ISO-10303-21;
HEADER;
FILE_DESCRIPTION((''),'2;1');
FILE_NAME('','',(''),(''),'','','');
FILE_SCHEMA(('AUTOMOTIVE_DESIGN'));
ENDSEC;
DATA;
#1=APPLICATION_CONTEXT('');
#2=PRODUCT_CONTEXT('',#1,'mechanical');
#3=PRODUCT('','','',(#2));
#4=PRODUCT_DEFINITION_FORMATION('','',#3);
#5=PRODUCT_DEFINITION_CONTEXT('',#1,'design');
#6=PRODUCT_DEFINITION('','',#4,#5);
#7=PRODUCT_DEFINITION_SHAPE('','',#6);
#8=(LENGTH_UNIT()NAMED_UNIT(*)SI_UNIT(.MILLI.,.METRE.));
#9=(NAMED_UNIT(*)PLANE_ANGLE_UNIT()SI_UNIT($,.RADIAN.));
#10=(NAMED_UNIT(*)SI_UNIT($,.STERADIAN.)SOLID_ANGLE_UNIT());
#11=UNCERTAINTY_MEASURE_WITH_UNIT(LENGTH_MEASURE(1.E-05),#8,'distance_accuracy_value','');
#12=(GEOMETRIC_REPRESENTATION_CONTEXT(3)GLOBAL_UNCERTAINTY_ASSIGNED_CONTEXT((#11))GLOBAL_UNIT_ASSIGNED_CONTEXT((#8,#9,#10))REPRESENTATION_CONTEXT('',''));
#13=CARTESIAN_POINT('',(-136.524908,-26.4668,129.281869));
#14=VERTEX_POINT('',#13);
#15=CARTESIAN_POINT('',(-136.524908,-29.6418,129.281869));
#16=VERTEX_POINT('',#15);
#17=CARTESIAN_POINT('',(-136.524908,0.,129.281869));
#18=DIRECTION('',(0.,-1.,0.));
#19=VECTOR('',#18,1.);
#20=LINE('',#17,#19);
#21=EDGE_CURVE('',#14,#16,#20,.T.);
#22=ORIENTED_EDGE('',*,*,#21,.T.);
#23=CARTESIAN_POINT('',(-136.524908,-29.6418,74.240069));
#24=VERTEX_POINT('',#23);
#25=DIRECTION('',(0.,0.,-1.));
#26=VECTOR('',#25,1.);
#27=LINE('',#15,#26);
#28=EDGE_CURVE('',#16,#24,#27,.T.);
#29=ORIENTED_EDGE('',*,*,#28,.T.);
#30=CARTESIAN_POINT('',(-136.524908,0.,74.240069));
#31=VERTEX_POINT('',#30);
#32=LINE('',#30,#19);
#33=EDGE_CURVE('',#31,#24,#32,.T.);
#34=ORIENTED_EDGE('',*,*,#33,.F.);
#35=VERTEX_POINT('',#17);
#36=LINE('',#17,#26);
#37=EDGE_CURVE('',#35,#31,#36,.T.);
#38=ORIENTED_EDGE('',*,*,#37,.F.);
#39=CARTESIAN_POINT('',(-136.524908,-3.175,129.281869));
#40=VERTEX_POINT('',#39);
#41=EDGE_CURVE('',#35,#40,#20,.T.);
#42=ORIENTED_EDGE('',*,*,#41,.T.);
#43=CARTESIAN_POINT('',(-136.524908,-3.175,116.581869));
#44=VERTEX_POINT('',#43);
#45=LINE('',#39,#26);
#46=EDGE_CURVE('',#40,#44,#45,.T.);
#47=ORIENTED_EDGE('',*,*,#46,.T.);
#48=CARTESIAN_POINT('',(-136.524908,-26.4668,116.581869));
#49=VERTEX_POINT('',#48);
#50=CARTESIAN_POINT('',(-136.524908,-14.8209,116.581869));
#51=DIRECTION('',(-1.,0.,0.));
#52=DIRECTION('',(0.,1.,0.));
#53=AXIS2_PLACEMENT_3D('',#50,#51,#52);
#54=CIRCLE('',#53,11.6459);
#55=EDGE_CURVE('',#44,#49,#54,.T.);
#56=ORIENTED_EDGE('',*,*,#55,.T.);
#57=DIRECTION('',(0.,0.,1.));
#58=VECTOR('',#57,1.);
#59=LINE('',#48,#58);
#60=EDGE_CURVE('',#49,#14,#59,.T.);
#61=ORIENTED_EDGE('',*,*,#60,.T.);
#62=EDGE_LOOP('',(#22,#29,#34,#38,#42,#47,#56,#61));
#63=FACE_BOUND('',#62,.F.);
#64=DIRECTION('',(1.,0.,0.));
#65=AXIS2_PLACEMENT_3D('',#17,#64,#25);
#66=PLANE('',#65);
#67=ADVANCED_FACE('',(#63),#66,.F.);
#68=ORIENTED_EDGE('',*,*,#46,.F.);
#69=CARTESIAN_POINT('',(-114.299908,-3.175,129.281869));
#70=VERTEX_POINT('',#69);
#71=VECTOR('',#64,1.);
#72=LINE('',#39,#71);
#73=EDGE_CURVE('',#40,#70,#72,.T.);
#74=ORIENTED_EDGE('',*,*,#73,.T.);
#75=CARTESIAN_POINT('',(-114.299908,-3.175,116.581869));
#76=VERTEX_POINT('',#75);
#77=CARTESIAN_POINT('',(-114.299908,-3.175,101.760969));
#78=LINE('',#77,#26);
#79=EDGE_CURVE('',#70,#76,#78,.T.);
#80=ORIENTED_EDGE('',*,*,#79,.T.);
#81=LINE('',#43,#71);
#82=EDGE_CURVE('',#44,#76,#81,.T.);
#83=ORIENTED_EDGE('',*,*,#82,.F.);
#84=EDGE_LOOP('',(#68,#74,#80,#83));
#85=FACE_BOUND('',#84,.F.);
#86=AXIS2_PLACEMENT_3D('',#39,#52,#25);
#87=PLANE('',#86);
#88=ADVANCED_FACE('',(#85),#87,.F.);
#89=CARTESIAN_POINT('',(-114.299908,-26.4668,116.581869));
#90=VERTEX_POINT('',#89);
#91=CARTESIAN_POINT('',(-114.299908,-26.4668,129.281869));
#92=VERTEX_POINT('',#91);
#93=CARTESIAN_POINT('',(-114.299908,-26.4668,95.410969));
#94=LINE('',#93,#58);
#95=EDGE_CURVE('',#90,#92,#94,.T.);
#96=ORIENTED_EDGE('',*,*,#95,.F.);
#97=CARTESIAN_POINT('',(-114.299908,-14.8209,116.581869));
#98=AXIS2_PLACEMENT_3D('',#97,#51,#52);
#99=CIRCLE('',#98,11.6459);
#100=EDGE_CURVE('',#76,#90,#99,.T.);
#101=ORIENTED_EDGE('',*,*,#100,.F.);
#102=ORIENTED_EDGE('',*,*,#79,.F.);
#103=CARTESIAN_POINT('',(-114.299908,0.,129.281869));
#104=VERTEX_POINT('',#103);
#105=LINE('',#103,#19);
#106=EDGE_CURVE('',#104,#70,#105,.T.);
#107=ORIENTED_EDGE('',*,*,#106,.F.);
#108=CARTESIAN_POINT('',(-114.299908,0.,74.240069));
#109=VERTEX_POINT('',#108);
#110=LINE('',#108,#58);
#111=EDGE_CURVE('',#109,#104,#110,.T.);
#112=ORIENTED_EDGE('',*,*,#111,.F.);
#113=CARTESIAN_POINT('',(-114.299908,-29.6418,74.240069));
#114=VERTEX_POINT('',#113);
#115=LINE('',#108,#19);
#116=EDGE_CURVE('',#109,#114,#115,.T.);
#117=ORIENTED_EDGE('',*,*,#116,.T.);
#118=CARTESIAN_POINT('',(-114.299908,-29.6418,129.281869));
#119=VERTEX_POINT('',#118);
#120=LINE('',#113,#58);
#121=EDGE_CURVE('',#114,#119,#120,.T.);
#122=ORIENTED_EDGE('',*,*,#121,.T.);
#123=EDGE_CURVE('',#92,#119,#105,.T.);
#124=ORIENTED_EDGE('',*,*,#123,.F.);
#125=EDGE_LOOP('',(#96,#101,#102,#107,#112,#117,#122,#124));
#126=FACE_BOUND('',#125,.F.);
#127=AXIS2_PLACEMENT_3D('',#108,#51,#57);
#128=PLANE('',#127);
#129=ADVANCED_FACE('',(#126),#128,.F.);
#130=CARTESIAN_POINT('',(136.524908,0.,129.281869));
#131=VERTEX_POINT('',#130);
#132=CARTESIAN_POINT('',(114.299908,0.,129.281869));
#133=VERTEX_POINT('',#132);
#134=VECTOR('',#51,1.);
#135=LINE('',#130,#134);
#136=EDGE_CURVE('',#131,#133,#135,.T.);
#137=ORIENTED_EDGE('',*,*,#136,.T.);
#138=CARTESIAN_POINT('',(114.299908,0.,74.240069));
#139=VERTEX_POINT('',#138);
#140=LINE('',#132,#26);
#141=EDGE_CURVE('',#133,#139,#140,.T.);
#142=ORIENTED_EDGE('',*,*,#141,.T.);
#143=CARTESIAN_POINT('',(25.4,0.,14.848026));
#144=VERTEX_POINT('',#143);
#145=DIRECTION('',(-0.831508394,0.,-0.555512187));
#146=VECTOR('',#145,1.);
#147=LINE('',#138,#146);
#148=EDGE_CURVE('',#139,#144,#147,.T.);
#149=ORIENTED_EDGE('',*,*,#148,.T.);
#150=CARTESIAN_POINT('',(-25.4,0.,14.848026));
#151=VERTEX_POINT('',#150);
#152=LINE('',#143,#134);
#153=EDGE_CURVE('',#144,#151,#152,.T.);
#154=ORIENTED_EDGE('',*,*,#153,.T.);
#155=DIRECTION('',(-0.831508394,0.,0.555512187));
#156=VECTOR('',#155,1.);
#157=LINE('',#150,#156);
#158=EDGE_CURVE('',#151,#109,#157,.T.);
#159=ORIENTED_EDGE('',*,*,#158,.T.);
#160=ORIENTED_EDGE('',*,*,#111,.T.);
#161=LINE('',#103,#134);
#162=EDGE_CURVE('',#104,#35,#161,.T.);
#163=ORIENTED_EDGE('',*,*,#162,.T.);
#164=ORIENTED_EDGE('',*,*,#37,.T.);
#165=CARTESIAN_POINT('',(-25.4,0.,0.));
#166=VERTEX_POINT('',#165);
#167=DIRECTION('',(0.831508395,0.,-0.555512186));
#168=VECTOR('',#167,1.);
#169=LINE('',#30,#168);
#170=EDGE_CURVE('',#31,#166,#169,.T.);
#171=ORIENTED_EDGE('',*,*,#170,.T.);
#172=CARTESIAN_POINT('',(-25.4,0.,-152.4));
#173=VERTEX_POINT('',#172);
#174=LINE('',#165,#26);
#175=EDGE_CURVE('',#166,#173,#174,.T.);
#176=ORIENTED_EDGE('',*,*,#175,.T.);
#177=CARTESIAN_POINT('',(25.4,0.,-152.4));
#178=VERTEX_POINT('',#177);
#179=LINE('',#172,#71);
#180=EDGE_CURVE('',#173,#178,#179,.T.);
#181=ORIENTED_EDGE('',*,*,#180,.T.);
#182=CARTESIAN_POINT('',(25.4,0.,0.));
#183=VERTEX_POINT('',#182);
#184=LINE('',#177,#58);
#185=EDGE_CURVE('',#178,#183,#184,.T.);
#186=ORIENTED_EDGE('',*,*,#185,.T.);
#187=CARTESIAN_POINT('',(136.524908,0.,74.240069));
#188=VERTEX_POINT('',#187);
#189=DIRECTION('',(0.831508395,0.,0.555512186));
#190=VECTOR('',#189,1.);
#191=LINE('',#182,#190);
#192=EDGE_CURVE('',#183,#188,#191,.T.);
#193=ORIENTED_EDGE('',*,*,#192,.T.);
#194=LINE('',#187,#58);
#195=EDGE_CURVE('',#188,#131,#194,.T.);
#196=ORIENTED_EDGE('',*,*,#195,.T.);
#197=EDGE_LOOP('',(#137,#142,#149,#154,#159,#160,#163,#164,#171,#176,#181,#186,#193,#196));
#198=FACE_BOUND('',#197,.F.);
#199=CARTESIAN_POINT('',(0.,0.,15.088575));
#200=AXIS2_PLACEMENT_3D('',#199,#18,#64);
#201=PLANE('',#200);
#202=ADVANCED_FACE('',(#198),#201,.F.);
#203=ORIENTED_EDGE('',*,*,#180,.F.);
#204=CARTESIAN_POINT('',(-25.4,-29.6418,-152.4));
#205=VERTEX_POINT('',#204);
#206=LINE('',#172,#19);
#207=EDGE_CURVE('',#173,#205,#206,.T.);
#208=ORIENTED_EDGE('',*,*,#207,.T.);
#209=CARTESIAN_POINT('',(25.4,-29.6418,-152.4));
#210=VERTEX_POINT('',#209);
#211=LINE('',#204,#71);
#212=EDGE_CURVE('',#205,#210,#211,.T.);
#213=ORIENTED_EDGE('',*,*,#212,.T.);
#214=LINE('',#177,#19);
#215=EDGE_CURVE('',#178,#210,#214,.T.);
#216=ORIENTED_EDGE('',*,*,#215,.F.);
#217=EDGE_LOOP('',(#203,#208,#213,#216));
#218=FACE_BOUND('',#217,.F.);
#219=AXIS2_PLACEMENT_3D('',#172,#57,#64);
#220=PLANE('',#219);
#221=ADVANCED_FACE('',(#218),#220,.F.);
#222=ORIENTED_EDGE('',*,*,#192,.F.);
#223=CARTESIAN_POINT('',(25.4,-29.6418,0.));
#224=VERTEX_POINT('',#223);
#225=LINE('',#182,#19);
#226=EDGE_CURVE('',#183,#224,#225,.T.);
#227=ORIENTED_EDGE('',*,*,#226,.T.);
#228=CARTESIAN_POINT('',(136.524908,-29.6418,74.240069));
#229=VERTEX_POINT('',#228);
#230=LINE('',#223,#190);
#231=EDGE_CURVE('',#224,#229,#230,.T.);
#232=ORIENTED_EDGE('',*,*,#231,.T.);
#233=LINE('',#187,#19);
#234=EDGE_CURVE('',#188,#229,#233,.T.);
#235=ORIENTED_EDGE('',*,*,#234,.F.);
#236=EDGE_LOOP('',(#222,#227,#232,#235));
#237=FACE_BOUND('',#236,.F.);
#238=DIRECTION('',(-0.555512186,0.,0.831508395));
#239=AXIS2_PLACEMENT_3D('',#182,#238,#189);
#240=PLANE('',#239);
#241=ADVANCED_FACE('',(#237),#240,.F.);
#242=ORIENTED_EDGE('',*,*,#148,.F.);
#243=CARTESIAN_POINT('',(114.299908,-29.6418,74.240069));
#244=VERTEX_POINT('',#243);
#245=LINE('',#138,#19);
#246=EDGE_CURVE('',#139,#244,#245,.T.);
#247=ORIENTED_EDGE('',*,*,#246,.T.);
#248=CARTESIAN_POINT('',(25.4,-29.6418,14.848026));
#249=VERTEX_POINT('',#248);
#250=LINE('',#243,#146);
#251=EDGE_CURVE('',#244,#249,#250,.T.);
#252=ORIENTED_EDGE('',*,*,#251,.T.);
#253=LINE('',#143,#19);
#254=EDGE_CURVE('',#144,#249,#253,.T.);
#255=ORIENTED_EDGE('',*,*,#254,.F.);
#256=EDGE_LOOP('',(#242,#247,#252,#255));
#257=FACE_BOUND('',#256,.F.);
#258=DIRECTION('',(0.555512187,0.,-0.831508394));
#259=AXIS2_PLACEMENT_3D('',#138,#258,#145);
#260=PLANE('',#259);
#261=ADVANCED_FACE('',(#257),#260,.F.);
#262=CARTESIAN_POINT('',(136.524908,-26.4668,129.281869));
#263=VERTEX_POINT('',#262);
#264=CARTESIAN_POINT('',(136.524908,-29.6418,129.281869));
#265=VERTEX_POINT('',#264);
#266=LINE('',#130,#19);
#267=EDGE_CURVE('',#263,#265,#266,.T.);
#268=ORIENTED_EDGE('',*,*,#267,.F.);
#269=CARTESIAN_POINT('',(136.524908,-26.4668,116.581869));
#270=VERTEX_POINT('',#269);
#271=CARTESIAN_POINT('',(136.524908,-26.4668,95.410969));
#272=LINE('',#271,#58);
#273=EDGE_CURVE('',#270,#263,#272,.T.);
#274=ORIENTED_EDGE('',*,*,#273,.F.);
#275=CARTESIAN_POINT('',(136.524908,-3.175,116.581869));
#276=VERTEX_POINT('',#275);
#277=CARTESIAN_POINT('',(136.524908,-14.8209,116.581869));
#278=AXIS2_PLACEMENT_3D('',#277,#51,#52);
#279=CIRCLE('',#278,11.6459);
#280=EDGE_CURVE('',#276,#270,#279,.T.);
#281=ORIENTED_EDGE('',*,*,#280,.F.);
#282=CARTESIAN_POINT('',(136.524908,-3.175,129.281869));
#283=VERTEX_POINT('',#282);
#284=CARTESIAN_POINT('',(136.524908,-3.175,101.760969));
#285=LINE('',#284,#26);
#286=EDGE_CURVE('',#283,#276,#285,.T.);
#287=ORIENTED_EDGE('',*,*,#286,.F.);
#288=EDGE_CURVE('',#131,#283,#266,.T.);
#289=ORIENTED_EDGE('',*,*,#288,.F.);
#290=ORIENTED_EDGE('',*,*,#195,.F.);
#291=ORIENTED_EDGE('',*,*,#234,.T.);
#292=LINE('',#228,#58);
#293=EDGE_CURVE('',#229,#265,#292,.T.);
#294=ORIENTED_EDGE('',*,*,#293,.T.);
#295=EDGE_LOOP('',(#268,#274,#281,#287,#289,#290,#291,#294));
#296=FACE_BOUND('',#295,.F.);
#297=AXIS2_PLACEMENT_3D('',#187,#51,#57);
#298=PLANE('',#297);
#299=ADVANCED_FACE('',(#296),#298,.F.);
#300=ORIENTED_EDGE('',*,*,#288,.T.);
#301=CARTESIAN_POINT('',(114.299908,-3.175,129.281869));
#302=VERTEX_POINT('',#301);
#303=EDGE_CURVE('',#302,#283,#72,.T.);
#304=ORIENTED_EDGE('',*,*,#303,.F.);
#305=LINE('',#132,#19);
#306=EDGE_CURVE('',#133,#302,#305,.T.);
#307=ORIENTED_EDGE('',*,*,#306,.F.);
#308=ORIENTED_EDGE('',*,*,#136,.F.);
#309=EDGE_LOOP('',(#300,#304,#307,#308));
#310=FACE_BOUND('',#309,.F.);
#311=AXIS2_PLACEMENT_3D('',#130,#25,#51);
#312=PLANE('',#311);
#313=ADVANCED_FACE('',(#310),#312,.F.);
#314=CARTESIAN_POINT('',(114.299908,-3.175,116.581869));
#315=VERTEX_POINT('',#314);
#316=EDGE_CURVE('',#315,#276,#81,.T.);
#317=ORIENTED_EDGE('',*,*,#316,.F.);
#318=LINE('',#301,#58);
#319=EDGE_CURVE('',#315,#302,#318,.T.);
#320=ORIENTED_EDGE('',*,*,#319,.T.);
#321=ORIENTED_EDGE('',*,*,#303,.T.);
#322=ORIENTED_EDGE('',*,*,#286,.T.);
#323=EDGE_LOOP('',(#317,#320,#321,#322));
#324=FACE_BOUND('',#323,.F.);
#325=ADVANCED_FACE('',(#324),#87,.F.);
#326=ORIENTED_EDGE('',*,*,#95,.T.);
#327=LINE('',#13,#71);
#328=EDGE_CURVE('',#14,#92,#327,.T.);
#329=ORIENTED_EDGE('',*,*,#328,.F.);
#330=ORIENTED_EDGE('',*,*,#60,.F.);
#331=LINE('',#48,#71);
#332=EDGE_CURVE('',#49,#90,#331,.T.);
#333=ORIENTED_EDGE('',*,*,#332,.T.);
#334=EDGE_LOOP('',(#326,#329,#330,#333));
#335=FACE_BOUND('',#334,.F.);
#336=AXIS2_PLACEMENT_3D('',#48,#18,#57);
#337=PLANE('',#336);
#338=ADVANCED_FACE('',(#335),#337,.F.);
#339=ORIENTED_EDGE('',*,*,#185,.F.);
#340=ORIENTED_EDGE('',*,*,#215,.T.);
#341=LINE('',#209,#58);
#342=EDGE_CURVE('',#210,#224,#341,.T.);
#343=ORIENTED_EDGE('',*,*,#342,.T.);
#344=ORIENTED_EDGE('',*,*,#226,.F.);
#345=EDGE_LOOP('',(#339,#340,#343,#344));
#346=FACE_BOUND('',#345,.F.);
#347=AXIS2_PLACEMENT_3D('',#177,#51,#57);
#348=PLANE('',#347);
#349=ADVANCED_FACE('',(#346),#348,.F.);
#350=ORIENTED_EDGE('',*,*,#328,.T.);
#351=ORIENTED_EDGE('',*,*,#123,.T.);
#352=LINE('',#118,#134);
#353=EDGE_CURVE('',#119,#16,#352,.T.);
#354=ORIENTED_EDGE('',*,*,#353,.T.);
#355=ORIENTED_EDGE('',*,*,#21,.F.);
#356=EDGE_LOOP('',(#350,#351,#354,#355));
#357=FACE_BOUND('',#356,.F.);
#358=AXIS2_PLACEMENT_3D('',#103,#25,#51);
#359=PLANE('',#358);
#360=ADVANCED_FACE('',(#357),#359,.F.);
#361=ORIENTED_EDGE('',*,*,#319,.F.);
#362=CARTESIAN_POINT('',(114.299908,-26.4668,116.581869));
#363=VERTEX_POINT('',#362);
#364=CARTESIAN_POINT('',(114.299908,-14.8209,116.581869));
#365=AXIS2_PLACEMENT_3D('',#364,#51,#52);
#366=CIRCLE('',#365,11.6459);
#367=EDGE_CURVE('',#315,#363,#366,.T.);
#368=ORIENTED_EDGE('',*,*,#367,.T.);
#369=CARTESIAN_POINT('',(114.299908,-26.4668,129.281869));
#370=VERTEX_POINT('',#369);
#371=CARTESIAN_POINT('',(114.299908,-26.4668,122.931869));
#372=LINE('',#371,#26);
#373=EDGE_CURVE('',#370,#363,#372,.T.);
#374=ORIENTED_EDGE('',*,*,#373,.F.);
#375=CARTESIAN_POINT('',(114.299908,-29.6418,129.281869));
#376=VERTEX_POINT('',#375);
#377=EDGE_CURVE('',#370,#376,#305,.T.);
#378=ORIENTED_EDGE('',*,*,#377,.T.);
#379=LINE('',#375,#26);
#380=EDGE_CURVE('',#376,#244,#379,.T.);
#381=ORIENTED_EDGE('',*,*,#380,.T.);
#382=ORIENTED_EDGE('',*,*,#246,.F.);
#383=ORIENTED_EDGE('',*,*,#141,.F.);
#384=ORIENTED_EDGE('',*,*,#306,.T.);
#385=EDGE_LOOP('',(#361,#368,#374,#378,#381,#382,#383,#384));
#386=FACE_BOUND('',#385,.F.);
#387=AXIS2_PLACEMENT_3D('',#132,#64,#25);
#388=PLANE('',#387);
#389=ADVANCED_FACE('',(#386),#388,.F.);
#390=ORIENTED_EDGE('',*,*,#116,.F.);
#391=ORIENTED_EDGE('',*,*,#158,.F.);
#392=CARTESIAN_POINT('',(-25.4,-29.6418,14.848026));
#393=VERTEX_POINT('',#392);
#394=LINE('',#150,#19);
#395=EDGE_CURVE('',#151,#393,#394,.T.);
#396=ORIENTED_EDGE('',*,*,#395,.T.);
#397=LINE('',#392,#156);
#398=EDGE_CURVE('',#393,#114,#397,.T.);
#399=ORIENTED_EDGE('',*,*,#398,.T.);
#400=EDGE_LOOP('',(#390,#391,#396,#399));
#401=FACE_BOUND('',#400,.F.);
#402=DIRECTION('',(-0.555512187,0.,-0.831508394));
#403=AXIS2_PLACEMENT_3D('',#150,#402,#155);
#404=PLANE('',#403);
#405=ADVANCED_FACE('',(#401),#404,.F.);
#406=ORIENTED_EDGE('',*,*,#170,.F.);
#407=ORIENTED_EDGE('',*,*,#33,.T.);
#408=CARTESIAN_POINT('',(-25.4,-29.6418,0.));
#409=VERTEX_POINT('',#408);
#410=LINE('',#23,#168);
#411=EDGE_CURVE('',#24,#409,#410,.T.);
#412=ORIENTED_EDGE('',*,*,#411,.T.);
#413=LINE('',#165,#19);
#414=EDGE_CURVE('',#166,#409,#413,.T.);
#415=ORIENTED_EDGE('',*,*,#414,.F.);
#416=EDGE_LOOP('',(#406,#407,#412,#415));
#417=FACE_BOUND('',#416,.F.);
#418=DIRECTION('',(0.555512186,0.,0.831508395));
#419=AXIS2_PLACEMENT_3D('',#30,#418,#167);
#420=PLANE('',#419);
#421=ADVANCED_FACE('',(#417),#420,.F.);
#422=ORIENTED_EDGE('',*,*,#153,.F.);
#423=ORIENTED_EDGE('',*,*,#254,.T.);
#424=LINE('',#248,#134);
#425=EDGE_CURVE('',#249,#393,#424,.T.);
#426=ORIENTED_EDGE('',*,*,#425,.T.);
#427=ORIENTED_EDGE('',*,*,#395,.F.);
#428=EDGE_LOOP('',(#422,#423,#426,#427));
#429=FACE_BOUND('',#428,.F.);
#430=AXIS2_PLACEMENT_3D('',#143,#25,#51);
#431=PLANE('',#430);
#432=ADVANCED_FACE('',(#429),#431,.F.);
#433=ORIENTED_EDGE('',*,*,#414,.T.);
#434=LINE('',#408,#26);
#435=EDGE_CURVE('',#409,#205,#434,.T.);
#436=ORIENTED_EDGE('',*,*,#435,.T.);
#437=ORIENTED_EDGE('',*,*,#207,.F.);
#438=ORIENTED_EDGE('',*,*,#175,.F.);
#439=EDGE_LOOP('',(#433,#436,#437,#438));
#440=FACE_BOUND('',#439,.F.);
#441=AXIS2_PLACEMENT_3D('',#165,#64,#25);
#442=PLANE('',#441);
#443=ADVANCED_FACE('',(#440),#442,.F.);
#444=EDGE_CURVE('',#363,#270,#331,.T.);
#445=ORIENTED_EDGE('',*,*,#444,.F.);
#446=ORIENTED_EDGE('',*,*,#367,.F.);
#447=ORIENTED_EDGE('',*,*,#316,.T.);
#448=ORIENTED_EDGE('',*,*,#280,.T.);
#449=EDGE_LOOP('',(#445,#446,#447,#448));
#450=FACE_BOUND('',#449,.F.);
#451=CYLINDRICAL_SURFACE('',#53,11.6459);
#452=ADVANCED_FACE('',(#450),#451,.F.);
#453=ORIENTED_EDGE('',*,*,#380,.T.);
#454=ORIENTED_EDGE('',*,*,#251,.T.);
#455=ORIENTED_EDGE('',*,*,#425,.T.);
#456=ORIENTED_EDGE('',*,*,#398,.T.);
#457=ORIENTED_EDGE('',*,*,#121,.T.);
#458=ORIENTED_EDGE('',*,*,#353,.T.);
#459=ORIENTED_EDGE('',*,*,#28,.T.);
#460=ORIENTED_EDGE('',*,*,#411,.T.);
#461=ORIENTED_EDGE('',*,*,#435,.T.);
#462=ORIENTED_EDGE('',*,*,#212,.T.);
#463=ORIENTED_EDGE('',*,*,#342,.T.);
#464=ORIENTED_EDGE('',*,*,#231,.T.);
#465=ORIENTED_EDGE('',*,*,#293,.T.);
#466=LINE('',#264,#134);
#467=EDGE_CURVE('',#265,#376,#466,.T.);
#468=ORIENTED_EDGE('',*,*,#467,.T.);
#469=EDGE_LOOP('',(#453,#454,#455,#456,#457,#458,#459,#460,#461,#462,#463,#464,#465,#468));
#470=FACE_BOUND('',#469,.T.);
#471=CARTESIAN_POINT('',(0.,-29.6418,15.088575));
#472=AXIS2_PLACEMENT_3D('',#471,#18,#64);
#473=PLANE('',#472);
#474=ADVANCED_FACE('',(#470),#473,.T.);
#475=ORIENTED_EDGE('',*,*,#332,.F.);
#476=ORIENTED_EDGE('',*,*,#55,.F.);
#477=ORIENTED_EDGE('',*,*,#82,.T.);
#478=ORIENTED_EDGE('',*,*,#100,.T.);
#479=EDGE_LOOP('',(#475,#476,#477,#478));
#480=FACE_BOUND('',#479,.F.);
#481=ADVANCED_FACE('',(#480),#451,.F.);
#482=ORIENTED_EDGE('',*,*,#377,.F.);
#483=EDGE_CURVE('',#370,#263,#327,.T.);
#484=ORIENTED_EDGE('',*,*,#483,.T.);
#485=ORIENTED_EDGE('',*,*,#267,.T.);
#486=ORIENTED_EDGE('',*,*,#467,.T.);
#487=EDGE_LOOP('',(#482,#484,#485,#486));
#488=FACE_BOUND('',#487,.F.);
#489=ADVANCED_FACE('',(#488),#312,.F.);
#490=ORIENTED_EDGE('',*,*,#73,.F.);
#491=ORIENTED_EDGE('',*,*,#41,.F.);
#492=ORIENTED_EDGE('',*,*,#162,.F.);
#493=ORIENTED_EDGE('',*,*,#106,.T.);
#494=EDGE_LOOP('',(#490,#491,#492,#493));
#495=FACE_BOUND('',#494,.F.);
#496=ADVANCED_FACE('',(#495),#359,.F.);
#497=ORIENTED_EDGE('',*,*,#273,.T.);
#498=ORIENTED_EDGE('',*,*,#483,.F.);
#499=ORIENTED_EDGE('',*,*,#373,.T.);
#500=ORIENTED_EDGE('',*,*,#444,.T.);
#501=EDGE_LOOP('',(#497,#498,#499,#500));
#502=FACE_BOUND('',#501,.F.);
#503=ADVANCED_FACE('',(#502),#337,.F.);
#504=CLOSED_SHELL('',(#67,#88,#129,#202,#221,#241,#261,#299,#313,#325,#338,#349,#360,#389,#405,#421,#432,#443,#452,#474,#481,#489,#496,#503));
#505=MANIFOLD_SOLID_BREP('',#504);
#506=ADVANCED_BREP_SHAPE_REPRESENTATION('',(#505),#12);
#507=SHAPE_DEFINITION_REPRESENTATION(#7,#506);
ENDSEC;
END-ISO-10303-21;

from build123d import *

# Parameters (mm, degrees)
F1_DEPTH = 29.6418
F3_DEPTH = 273.050817


with BuildPart() as f1:
    # F0 (on Front) → F1 (new body)
    with BuildSketch(Plane.XZ):
        Polygon((-25.4, 0), (-25.4, -152.4), (25.4, -152.4), (25.4, 0), (136.524908, 74.240069), (136.524908, 129.281869), (114.299908, 129.281869), (114.299908, 74.240069), (25.4, 14.848026), (-25.4, 14.848026), (-114.299908, 74.240069), (-114.299908, 129.281869), (-136.524908, 129.281869), (-136.524908, 74.240069), align=None)
    extrude(amount=F1_DEPTH)

    # F2 (on face) → F3 (cut, through all)
    with BuildSketch(Plane(origin=(-136.524908, 0, 0), x_dir=(0, -1, 0), z_dir=(-1, 0, 0))):
        with BuildLine():
            Line((26.4668, 129.281869), (3.175, 129.281869))
            Line((3.175, 129.281869), (3.175, 116.581869))
            ThreePointArc((3.175, 116.581869), (14.8209, 104.935969), (26.4668, 116.581869))
            Line((26.4668, 116.581869), (26.4668, 129.281869))
        make_face()
    extrude(amount=-F3_DEPTH, mode=Mode.SUBTRACT)


solid = f1.part
